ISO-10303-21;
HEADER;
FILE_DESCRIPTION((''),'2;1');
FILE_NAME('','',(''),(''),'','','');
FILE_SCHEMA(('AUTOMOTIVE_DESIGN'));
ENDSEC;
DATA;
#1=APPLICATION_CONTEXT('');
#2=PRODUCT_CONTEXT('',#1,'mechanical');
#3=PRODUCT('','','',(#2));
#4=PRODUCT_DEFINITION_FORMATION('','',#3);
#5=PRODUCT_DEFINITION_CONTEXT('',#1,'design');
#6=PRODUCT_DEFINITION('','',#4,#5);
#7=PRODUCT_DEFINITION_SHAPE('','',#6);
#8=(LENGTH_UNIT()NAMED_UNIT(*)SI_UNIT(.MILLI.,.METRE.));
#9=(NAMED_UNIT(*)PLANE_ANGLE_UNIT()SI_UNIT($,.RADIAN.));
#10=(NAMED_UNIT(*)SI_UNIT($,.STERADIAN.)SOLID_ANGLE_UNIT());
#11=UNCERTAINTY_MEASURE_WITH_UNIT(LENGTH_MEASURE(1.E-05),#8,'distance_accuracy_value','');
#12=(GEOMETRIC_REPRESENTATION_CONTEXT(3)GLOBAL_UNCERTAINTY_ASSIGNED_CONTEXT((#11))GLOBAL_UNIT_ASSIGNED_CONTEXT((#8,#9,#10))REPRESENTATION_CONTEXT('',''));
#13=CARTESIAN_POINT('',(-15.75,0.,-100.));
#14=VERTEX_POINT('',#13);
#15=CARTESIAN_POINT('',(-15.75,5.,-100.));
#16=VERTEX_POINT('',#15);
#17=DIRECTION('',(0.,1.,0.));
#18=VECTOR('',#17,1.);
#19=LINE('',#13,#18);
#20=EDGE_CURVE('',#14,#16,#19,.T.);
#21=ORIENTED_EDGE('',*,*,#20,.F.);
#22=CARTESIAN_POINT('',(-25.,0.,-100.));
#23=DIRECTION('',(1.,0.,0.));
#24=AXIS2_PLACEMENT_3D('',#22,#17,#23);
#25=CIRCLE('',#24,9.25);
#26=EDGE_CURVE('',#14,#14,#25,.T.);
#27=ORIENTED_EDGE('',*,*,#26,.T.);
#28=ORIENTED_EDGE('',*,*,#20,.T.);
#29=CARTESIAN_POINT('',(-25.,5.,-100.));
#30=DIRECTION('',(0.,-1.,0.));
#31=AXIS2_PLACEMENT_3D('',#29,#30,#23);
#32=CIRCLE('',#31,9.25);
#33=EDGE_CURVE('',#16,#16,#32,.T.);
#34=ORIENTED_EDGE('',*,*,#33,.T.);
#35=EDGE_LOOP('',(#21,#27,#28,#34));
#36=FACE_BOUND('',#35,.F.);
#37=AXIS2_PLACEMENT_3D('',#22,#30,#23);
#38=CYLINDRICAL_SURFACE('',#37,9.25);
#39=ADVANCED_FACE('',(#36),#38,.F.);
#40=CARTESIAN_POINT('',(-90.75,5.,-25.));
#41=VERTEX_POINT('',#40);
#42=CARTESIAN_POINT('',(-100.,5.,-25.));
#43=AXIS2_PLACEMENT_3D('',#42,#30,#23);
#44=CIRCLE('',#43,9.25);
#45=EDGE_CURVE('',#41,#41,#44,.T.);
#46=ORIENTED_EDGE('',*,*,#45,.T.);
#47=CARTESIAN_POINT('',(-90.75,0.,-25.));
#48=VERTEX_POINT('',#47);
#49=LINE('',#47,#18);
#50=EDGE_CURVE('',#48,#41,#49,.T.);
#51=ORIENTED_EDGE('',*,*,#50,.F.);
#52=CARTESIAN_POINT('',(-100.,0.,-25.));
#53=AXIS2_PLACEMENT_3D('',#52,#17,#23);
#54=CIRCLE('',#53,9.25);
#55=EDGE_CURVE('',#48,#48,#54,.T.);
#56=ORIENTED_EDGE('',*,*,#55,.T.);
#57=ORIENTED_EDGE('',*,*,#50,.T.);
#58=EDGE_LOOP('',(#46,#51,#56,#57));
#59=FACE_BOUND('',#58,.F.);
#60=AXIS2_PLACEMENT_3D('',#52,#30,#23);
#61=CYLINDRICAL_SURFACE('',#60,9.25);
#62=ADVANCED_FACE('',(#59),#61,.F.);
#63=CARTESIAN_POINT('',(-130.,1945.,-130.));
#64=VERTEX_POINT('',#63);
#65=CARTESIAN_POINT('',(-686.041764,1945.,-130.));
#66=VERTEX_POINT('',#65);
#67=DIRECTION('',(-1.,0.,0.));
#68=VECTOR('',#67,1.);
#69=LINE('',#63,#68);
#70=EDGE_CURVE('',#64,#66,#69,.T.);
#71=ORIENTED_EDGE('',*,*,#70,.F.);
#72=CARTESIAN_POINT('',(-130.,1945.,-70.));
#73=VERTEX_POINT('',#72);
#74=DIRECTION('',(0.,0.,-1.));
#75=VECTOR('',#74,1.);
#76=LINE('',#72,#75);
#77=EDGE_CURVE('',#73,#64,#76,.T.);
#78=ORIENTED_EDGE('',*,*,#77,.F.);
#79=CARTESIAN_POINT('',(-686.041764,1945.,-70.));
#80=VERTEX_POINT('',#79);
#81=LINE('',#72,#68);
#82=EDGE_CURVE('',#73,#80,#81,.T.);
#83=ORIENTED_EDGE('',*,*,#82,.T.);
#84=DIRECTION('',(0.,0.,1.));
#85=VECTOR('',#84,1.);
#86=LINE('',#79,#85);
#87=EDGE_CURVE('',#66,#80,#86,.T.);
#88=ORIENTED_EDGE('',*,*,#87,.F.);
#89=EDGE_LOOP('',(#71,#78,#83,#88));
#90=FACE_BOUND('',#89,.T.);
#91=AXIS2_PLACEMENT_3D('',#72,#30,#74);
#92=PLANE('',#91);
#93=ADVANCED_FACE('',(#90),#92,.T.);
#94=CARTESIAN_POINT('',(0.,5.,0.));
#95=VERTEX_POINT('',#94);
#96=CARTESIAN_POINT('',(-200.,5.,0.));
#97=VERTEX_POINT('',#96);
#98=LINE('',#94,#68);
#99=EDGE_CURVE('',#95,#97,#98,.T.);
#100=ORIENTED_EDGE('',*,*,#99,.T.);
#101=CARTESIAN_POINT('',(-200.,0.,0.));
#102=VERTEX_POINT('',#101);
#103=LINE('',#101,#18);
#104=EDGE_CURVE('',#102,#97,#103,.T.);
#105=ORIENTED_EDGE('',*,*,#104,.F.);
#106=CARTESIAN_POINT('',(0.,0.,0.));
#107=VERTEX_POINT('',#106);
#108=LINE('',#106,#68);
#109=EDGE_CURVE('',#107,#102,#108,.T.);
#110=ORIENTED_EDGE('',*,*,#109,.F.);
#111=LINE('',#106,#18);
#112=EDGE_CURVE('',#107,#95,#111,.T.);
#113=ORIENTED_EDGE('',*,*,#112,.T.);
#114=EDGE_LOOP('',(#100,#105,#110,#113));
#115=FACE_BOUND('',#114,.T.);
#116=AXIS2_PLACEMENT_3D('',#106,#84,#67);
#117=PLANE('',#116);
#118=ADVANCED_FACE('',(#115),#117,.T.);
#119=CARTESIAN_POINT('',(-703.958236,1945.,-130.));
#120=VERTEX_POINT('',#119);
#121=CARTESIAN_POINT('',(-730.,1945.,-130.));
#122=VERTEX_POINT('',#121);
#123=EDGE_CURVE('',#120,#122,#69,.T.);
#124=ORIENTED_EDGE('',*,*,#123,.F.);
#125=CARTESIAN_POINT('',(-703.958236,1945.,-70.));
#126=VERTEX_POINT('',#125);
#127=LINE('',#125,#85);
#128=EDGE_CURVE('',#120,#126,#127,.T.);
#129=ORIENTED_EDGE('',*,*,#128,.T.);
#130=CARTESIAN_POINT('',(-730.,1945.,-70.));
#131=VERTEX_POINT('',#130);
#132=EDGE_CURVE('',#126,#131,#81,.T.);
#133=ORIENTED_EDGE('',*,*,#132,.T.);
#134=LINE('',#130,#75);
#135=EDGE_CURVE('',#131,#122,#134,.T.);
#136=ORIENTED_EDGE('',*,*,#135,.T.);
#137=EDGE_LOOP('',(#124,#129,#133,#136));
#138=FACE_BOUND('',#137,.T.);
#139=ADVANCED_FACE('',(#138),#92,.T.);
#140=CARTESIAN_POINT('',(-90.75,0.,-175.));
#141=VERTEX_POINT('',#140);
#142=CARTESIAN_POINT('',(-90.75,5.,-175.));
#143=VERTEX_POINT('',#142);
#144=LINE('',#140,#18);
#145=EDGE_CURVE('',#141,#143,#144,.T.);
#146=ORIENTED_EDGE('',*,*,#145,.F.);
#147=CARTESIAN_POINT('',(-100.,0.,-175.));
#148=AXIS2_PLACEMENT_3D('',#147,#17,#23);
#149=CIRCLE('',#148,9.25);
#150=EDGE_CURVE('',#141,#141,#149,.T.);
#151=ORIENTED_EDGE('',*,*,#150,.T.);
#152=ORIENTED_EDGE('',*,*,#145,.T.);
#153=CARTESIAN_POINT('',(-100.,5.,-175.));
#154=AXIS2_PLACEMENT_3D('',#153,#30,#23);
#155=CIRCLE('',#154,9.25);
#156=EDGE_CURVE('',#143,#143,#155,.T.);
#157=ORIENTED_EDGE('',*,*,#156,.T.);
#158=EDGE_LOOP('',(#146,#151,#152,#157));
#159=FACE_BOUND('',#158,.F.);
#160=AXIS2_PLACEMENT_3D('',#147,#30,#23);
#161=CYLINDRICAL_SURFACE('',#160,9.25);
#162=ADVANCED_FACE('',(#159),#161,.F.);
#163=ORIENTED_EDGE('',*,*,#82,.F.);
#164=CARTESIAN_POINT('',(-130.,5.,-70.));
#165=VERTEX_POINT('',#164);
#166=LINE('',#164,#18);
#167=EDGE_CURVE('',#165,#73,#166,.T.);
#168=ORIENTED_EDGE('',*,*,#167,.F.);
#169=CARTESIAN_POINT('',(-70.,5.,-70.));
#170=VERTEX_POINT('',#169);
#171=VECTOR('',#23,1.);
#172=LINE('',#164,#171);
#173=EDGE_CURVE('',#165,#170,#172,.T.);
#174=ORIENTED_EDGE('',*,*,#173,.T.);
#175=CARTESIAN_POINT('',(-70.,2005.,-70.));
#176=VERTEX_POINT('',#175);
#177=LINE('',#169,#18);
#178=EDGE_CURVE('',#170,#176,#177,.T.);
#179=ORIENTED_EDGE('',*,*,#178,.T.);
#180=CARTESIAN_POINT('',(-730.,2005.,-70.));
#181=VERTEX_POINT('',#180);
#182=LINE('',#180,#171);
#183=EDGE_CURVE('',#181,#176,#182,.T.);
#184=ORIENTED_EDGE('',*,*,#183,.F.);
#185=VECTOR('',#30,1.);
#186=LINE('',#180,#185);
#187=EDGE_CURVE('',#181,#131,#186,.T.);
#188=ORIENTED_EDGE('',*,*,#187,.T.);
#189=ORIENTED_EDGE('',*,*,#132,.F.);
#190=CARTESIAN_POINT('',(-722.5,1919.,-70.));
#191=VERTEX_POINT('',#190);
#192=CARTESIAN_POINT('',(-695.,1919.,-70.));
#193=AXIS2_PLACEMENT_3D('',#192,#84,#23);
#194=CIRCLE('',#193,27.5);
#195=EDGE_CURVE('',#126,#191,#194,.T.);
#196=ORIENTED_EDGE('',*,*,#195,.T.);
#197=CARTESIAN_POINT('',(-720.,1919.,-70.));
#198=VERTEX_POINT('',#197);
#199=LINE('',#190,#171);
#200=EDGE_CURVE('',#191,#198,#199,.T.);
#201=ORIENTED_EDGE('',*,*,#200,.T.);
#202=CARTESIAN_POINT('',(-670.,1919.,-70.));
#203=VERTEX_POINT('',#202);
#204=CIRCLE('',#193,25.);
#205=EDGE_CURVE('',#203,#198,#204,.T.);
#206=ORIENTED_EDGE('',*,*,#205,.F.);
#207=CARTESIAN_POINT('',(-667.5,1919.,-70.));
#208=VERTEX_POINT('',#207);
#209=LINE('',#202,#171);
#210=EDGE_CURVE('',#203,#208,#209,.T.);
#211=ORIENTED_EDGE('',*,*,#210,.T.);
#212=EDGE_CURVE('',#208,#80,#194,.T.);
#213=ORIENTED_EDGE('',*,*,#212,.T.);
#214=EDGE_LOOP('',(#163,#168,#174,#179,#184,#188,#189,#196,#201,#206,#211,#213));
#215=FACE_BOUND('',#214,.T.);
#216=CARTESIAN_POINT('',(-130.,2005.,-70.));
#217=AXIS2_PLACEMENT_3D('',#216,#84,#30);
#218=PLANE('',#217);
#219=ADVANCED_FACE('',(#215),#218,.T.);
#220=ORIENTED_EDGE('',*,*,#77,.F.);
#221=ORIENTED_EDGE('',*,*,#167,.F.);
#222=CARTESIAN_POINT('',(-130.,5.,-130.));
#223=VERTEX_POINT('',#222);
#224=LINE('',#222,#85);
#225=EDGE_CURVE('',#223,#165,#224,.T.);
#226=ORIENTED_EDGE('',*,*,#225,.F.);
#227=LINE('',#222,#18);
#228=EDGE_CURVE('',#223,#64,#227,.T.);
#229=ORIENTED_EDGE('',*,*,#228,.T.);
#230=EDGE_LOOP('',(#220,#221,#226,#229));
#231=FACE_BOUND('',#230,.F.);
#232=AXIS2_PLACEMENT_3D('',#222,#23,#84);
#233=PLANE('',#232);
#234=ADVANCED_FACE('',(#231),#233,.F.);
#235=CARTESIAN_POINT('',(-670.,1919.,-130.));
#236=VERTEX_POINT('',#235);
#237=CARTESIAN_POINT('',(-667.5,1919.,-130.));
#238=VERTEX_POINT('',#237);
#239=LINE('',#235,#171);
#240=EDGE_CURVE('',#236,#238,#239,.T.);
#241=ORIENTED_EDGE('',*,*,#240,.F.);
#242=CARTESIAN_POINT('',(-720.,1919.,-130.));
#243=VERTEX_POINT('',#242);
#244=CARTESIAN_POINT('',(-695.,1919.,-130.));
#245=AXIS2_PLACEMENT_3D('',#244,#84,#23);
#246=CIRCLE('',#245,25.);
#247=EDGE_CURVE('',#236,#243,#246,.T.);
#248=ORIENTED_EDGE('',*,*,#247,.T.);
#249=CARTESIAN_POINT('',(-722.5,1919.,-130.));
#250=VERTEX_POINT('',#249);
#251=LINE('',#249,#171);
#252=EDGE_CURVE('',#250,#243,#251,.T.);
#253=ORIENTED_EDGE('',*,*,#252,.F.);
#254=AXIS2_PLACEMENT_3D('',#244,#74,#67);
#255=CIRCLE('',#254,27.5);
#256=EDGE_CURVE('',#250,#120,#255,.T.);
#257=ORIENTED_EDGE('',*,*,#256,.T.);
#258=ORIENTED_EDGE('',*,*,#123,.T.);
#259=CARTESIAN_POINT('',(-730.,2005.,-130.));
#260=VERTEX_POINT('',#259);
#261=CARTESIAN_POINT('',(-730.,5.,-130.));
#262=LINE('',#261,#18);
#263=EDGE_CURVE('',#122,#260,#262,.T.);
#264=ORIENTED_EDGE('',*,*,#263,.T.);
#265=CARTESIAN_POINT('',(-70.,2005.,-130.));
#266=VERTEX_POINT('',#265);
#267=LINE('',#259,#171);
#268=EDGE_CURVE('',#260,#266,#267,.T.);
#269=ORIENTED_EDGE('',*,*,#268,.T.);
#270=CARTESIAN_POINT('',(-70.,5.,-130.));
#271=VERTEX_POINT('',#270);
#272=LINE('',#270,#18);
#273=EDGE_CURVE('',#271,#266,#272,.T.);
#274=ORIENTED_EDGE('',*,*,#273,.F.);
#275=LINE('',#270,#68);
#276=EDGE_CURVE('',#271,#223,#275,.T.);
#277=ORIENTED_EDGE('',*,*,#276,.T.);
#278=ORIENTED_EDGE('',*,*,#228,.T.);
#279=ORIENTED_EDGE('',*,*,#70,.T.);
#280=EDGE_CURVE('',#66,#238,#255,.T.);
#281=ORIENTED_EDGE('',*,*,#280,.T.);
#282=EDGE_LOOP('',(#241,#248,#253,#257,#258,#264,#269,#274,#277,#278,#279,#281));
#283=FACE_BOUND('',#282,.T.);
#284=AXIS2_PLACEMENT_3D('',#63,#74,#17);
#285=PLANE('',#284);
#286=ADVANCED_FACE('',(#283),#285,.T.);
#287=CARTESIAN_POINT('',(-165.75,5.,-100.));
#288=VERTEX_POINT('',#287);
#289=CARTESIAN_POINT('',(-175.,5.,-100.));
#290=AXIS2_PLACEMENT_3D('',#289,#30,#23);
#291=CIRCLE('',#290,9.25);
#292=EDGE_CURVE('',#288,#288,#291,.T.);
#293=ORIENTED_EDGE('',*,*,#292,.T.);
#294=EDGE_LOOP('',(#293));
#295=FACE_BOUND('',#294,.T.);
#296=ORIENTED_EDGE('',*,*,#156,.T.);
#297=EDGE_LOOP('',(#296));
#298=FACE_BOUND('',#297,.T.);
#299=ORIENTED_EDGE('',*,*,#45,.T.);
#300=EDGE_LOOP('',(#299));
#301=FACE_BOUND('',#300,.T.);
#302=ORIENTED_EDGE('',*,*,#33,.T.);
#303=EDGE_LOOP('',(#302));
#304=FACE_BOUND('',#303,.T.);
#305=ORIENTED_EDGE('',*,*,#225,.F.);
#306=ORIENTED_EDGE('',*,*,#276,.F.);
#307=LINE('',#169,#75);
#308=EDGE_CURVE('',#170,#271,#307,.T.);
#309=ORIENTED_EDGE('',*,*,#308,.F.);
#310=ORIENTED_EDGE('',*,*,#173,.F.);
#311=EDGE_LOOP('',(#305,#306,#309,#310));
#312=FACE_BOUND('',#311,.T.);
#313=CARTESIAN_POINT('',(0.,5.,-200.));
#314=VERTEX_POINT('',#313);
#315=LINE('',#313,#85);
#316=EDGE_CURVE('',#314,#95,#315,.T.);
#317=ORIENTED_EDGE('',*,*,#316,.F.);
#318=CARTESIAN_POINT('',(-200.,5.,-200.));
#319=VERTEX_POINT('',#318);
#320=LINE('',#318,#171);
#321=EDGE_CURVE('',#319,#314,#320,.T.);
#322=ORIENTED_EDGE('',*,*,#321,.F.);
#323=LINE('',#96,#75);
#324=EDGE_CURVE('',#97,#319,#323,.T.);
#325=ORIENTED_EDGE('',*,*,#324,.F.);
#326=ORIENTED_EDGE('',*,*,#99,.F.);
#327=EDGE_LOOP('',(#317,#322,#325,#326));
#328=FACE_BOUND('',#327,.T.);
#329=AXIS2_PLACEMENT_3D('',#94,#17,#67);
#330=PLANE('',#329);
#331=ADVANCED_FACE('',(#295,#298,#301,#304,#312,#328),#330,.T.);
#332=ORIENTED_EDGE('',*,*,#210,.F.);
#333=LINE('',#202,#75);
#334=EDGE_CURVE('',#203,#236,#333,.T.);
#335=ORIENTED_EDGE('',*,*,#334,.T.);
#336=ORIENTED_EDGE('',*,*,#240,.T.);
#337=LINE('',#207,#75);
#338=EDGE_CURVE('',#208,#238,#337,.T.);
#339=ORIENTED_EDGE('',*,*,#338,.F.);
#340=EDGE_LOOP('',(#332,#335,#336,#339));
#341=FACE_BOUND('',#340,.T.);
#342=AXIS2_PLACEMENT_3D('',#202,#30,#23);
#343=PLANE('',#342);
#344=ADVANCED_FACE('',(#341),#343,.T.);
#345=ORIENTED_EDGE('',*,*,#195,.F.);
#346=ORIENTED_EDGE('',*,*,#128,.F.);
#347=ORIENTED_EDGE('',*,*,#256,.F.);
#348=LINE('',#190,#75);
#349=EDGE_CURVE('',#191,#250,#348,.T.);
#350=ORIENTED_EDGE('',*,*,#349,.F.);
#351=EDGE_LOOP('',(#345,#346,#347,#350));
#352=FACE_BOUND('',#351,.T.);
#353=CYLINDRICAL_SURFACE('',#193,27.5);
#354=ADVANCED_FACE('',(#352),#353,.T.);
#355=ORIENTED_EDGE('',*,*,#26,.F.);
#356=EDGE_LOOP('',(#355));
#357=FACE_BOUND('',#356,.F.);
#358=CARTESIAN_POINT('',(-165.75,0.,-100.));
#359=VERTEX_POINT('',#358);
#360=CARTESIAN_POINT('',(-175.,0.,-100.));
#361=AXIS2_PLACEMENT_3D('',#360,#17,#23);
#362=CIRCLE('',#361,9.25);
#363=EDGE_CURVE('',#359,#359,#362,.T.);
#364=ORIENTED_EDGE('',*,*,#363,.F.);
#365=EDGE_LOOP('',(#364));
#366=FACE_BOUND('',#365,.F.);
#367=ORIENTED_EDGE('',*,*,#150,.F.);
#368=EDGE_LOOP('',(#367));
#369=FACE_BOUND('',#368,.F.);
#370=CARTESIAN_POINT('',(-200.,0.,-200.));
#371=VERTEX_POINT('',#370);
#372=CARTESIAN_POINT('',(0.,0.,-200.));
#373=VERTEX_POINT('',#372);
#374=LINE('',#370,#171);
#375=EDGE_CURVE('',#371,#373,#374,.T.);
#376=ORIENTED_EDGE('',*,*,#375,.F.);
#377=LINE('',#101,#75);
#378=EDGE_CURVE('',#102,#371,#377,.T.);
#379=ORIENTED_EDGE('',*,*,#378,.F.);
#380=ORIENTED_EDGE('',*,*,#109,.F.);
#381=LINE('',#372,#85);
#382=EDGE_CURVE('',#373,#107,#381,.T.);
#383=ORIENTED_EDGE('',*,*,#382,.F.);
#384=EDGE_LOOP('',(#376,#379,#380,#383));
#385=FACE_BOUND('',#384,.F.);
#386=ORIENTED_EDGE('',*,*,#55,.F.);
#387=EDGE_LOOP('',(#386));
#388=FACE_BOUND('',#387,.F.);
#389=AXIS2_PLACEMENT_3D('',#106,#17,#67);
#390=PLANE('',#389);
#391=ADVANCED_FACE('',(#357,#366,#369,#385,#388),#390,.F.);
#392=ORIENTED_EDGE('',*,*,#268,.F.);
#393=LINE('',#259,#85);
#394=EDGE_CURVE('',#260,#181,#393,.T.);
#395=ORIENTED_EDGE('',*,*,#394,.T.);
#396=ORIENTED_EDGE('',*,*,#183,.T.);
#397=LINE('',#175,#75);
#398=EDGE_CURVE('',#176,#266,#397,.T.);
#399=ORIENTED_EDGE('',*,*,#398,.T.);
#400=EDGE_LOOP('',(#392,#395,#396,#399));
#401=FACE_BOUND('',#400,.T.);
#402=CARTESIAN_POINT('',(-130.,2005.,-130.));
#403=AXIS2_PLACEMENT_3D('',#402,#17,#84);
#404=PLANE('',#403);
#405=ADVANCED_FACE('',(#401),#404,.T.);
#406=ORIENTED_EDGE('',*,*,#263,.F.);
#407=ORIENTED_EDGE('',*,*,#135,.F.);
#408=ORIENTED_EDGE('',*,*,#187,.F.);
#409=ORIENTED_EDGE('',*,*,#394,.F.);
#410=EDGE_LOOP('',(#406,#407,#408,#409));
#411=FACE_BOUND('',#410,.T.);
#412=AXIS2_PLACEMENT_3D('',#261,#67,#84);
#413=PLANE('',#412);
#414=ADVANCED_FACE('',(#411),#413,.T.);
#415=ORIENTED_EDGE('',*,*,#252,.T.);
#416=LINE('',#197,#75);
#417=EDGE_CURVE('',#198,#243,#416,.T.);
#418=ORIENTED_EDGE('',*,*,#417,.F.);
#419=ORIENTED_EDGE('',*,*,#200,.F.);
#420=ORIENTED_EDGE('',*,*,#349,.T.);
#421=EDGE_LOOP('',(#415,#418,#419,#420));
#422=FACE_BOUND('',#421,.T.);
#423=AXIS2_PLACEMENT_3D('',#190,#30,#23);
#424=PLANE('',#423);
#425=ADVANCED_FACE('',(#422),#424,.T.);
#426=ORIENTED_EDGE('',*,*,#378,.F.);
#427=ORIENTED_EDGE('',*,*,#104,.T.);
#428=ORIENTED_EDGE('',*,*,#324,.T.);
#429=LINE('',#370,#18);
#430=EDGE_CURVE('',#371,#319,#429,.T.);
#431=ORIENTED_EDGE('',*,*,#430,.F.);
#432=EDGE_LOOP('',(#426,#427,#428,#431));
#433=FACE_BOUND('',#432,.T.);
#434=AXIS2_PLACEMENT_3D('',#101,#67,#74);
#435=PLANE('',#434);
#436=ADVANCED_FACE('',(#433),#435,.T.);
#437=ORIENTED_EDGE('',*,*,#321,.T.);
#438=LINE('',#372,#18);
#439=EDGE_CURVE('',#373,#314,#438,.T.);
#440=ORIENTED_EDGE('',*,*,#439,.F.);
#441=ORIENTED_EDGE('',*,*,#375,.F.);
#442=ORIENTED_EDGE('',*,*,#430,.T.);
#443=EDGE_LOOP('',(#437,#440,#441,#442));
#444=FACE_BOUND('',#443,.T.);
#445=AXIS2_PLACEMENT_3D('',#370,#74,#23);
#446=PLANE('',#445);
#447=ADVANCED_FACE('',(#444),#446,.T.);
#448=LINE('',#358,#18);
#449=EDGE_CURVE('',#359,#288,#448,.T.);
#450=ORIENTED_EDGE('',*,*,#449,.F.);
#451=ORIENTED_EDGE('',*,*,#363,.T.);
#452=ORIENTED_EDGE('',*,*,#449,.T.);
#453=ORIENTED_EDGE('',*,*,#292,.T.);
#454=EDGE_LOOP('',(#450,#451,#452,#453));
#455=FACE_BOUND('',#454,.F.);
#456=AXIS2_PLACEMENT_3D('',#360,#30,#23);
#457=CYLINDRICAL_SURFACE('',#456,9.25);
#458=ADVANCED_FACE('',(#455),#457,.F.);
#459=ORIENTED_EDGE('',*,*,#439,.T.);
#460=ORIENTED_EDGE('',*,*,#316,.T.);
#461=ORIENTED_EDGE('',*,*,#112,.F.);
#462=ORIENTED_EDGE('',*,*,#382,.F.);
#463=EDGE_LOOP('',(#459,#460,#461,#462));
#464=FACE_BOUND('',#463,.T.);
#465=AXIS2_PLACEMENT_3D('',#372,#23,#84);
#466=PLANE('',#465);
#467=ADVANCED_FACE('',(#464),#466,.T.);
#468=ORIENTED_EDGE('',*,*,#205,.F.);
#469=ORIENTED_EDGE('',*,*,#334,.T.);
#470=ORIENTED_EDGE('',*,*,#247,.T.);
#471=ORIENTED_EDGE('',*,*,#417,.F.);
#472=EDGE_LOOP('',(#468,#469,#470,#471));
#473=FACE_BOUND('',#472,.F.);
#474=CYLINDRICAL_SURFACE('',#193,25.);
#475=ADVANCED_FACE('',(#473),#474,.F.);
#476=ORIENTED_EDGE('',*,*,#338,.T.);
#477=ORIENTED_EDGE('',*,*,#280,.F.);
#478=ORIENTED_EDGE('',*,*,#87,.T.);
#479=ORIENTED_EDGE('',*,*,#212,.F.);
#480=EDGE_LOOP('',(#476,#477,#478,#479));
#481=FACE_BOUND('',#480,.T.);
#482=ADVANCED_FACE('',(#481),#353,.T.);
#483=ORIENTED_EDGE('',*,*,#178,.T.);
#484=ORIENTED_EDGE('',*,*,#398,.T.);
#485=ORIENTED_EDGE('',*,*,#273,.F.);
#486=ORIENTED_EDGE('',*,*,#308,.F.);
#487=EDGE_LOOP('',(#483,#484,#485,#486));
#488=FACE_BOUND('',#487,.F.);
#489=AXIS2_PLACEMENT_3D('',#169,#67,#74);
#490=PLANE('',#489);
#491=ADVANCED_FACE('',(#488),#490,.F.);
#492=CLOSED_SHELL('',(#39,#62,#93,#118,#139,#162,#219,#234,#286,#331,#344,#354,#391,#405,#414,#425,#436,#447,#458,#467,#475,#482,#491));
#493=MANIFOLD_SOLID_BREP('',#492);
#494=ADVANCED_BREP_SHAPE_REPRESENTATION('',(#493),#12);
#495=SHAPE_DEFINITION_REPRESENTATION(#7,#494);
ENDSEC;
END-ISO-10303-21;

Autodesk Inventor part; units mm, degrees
ref_plane "YZ Plane" through (0, 0, 0) normal (1, 0, 0) x (0, 1, 0)
ref_plane "XZ Plane" through (0, 0, 0) normal (0, 1, 0) x (-1, 0, 0)
ref_plane "XY Plane" through (0, 0, 0) normal (0, 0, 1) x (1, 0, 0)
sketch "Boceto1" plane through (0, 0, 0) normal (0, 1, 0) x (-1, 0, 0)
  line L0 (0, 0) -> (200, 0)
  line L1 (200, 0) -> (200, -200)
  line L2 (200, -200) -> (0, -200)
  line L3 (0, -200) -> (0, 0)
  dimension "d0" = 200
  dimension "d1" = 200
extrude "Extrusión1" add sketch "Boceto1" along normal blind 5
sketch "Boceto2" plane through (0, 5, 0) normal (0, 1, 0) x (1, 0, 0)
  line L0 (-130, 70) -> (-70, 70)
  line L1 (-70, 70) -> (-70, 130)
  line L2 (-70, 130) -> (-130, 130)
  line L3 (-130, 130) -> (-130, 70)
  line L4 (-200, 200) -> (-200, 0) projected
  line L5 (-200, 0) -> (0, 0) projected
  point P0 (-130, 100)
  dimension "d4" = 60
  dimension "d5" = 60
  dimension "d6" = 70
  dimension "d7" = 70
extrude "Extrusión2" add sketch "Boceto2" along normal blind 2000
sketch "Boceto3" plane through (-130, 5, -130) normal (-1, 0, 0) x (0, 0, 1)
  line L0 (0, 0) -> (0, 2000) projected
  line L1 (0, 2000) -> (60, 2000)
  line L2 (60, 2000) -> (60, 1940)
  line L3 (60, 1940) -> (0, 1940)
  line L4 (0, 1940) -> (0, 2000)
  point P0 (130, -5)
  dimension "d10" = 60
  dimension "d11" = 60
extrude "Extrusión3" add sketch "Boceto3" along normal blind 600
sketch "Boceto4" plane through (-130, 5, -70) normal (0, 0, 1) x (1, 0, 0)
  arc A0 (-540, 1914) -> (-590, 1914) centre (-565, 1914) ccw
  line L0 (-600, 1940) -> (-600, 2000) projected
  line L1 (0, 1940) -> (-600, 1940) projected
  arc A1 (-537.5, 1914) -> (-592.5, 1914) centre (-565, 1914) ccw
  line L2 (-592.5, 1914) -> (-590, 1914)
  line L3 (-540, 1914) -> (-537.5, 1914)
  point P0 (130, -5)
  dimension "d14" = 50
  dimension "d15" = 35
  dimension "d16" = 26
  dimension "d17" = 55
extrude "Extrusión4" add sketch "Boceto4" against normal blind 60
sketch "Boceto5" plane through (0, 0, 0) normal (0, -1, 0) x (1, 0, 0)
  line L0 (0, 0) -> (0, -200) projected
  line L1 (0, -100) -> (-200, -100)
  line L2 (-200, -200) -> (-200, 0) projected
  line L3 (0, -200) -> (-200, -200) projected
  line L4 (-100, -200) -> (-100, 0)
  line L5 (-200, 0) -> (0, 0) projected
  circle A0 centre (-100, -175) radius 9.25
  circle A1 centre (-175, -100) radius 9.25
  circle A2 centre (-100, -25) radius 9.25
  circle A3 centre (-25, -100) radius 9.25
  point P0 (-100, -100)
  point P1 (-100, -100)
  point P2 (-100, -100)
  point P3 (-100, -100)
  dimension "d20" = 18.5
  dimension "d21" = 75
  dimension "d24" = 360
extrude "Extrusión5" cut sketch "Boceto5" against normal blind 10 contours A3 L1 | L1 A3 | A2 L4 | L4 A2 | A0 L4 | L4 A0 | A1 L1 | L1 A1
properties part number "Sriel"
